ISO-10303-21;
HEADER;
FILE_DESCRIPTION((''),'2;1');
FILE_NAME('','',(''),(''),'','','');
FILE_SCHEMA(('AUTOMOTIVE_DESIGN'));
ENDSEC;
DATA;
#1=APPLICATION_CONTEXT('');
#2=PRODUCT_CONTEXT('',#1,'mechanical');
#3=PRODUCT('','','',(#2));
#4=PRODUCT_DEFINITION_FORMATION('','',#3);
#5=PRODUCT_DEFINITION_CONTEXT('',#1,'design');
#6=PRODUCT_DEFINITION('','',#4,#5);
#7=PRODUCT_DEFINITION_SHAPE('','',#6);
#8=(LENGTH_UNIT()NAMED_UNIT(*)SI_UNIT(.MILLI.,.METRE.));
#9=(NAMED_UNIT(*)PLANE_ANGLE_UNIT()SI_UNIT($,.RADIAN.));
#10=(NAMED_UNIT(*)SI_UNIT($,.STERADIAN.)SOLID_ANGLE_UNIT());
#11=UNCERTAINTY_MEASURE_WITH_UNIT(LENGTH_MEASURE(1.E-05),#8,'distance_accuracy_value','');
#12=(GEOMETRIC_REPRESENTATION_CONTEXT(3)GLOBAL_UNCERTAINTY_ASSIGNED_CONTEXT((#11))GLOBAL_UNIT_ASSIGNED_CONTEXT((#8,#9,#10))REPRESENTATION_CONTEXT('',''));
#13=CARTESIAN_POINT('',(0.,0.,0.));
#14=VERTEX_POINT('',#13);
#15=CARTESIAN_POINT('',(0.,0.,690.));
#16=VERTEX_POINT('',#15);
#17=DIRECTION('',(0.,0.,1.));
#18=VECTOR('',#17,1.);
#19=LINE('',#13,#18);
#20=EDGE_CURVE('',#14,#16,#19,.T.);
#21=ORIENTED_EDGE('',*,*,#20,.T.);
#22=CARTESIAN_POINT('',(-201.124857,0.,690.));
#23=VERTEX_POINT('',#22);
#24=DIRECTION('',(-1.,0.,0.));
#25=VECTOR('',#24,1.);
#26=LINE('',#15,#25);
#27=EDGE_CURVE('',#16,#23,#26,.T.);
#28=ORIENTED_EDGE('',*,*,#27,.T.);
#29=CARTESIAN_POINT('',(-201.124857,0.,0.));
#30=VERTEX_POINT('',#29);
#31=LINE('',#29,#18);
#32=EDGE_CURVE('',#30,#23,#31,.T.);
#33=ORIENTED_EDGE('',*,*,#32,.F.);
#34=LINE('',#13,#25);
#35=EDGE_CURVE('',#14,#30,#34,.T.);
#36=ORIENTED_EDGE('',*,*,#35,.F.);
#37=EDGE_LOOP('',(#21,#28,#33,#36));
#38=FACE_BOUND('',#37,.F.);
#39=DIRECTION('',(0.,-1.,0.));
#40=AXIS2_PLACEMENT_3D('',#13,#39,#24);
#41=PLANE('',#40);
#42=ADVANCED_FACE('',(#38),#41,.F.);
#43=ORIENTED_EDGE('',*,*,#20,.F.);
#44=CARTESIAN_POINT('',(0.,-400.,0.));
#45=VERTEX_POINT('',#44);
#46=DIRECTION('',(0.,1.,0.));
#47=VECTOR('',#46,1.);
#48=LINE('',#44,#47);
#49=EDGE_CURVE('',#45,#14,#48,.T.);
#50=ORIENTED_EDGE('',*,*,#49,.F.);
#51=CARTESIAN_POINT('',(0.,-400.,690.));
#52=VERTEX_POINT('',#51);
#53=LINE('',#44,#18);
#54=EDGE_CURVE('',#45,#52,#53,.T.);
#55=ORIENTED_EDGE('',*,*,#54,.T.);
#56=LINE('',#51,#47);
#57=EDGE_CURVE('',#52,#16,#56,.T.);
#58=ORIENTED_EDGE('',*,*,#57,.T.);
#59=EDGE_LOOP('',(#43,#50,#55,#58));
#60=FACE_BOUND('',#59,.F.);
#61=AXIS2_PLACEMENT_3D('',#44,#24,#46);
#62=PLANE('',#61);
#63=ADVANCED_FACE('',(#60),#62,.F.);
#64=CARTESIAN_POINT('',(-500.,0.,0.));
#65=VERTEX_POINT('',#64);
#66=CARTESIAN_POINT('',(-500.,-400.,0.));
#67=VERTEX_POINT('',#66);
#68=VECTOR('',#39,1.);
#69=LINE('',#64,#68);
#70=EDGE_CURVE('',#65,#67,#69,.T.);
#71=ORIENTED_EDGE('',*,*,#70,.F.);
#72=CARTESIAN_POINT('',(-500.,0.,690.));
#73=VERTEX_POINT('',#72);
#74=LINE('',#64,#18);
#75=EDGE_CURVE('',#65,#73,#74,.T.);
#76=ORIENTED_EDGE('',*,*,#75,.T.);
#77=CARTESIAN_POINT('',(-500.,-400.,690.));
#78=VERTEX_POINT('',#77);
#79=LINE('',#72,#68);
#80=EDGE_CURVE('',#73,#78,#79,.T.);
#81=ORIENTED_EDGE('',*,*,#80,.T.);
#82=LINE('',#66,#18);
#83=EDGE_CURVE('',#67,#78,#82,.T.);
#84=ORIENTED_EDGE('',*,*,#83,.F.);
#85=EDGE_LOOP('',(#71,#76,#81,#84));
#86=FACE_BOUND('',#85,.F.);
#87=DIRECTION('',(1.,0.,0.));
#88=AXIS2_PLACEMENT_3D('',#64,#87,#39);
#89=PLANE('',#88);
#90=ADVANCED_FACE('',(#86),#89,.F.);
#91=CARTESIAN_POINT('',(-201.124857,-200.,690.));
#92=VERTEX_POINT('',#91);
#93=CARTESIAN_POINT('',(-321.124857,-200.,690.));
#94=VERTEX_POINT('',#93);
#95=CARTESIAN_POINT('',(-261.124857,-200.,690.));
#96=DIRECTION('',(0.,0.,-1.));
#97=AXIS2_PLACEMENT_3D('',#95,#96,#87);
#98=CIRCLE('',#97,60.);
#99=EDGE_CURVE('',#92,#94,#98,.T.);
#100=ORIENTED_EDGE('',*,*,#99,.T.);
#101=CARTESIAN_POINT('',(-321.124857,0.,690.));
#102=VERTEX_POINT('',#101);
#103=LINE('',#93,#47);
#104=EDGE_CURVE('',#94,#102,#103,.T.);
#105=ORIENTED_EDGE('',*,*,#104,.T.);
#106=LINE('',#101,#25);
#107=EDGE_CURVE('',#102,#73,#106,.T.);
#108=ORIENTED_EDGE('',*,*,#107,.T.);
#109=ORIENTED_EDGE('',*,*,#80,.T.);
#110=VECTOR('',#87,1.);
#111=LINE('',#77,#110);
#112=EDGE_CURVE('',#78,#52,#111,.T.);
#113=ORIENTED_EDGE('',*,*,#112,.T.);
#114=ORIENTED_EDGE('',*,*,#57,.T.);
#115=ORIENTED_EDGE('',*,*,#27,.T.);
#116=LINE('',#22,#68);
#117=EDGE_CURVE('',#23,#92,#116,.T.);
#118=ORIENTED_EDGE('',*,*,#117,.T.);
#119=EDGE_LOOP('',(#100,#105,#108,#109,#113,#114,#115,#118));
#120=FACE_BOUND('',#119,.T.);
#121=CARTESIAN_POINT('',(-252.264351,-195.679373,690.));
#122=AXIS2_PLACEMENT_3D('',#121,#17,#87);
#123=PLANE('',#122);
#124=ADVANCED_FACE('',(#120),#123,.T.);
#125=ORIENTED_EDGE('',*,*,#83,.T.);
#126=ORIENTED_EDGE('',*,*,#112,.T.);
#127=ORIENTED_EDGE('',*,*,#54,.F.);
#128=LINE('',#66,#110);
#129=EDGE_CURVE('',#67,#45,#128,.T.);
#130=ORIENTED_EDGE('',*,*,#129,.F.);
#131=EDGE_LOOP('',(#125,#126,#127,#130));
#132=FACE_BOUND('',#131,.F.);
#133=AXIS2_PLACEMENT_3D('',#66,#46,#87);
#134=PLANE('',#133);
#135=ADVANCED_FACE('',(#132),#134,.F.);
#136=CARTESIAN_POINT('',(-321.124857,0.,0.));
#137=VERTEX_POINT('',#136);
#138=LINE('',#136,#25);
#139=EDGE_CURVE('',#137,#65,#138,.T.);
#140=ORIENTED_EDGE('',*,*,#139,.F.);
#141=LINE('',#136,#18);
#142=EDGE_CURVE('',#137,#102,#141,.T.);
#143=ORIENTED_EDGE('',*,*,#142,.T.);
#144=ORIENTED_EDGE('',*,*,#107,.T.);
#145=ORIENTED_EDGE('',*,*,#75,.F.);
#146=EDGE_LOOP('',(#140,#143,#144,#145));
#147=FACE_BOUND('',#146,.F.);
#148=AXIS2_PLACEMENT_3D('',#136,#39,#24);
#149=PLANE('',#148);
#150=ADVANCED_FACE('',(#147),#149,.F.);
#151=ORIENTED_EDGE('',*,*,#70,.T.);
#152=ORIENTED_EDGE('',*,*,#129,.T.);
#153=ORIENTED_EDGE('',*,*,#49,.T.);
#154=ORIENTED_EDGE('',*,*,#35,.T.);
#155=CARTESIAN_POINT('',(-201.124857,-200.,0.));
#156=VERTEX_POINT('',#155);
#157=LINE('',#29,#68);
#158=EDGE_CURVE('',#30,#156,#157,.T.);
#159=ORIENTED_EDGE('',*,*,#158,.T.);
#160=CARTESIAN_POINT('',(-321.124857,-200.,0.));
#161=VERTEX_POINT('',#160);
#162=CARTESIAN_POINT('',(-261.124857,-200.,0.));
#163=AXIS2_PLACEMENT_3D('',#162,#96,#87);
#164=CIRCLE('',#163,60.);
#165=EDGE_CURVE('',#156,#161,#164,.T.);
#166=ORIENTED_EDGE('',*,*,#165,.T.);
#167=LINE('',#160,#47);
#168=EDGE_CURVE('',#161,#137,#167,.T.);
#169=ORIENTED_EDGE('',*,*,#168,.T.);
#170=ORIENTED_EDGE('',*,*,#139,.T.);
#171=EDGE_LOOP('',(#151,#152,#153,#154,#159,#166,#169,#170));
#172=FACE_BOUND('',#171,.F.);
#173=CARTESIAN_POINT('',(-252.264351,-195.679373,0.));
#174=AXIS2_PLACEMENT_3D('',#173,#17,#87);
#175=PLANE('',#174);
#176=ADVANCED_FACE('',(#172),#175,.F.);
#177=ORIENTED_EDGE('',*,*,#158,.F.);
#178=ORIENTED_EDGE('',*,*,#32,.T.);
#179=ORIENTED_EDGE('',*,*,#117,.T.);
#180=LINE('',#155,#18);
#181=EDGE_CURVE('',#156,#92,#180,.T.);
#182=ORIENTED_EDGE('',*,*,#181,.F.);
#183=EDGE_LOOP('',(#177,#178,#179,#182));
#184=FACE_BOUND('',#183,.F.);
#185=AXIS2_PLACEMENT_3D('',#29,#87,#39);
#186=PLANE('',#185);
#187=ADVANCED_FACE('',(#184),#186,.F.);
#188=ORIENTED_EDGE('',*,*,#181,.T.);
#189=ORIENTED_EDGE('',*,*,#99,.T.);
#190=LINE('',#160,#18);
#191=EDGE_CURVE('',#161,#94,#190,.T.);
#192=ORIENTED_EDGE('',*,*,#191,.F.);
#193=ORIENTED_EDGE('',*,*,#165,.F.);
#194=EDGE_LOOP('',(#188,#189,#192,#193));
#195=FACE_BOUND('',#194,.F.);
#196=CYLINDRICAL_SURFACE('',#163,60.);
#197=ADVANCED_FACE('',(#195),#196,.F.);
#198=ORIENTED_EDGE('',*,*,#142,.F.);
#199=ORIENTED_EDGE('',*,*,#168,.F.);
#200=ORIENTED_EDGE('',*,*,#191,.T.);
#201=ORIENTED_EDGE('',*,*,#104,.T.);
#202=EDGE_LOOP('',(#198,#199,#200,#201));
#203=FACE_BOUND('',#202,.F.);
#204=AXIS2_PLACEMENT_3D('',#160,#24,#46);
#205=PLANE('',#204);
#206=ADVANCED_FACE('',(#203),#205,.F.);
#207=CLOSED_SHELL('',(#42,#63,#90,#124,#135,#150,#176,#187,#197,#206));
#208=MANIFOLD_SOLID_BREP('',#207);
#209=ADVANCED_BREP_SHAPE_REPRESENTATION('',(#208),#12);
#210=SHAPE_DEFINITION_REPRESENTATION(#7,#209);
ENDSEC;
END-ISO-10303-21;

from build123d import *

# Parameters (mm, degrees)
F1_DEPTH = 690


with BuildPart() as f1:
    # F0 (on Top) → F1 (new body)
    with BuildSketch(Plane.XY):
        with BuildLine():
            Line((-500, -400), (0, -400))
            Line((0, -400), (0, 0))
            Line((0, 0), (-201.124857, 0))
            Line((-201.124857, 0), (-201.124857, -200))
            ThreePointArc((-201.124857, -200), (-261.124857, -260), (-321.124857, -200))
            Line((-321.124857, -200), (-321.124857, 0))
            Line((-321.124857, 0), (-500, 0))
            Line((-500, 0), (-500, -400))
        make_face()
    extrude(amount=F1_DEPTH)


solid = f1.part
